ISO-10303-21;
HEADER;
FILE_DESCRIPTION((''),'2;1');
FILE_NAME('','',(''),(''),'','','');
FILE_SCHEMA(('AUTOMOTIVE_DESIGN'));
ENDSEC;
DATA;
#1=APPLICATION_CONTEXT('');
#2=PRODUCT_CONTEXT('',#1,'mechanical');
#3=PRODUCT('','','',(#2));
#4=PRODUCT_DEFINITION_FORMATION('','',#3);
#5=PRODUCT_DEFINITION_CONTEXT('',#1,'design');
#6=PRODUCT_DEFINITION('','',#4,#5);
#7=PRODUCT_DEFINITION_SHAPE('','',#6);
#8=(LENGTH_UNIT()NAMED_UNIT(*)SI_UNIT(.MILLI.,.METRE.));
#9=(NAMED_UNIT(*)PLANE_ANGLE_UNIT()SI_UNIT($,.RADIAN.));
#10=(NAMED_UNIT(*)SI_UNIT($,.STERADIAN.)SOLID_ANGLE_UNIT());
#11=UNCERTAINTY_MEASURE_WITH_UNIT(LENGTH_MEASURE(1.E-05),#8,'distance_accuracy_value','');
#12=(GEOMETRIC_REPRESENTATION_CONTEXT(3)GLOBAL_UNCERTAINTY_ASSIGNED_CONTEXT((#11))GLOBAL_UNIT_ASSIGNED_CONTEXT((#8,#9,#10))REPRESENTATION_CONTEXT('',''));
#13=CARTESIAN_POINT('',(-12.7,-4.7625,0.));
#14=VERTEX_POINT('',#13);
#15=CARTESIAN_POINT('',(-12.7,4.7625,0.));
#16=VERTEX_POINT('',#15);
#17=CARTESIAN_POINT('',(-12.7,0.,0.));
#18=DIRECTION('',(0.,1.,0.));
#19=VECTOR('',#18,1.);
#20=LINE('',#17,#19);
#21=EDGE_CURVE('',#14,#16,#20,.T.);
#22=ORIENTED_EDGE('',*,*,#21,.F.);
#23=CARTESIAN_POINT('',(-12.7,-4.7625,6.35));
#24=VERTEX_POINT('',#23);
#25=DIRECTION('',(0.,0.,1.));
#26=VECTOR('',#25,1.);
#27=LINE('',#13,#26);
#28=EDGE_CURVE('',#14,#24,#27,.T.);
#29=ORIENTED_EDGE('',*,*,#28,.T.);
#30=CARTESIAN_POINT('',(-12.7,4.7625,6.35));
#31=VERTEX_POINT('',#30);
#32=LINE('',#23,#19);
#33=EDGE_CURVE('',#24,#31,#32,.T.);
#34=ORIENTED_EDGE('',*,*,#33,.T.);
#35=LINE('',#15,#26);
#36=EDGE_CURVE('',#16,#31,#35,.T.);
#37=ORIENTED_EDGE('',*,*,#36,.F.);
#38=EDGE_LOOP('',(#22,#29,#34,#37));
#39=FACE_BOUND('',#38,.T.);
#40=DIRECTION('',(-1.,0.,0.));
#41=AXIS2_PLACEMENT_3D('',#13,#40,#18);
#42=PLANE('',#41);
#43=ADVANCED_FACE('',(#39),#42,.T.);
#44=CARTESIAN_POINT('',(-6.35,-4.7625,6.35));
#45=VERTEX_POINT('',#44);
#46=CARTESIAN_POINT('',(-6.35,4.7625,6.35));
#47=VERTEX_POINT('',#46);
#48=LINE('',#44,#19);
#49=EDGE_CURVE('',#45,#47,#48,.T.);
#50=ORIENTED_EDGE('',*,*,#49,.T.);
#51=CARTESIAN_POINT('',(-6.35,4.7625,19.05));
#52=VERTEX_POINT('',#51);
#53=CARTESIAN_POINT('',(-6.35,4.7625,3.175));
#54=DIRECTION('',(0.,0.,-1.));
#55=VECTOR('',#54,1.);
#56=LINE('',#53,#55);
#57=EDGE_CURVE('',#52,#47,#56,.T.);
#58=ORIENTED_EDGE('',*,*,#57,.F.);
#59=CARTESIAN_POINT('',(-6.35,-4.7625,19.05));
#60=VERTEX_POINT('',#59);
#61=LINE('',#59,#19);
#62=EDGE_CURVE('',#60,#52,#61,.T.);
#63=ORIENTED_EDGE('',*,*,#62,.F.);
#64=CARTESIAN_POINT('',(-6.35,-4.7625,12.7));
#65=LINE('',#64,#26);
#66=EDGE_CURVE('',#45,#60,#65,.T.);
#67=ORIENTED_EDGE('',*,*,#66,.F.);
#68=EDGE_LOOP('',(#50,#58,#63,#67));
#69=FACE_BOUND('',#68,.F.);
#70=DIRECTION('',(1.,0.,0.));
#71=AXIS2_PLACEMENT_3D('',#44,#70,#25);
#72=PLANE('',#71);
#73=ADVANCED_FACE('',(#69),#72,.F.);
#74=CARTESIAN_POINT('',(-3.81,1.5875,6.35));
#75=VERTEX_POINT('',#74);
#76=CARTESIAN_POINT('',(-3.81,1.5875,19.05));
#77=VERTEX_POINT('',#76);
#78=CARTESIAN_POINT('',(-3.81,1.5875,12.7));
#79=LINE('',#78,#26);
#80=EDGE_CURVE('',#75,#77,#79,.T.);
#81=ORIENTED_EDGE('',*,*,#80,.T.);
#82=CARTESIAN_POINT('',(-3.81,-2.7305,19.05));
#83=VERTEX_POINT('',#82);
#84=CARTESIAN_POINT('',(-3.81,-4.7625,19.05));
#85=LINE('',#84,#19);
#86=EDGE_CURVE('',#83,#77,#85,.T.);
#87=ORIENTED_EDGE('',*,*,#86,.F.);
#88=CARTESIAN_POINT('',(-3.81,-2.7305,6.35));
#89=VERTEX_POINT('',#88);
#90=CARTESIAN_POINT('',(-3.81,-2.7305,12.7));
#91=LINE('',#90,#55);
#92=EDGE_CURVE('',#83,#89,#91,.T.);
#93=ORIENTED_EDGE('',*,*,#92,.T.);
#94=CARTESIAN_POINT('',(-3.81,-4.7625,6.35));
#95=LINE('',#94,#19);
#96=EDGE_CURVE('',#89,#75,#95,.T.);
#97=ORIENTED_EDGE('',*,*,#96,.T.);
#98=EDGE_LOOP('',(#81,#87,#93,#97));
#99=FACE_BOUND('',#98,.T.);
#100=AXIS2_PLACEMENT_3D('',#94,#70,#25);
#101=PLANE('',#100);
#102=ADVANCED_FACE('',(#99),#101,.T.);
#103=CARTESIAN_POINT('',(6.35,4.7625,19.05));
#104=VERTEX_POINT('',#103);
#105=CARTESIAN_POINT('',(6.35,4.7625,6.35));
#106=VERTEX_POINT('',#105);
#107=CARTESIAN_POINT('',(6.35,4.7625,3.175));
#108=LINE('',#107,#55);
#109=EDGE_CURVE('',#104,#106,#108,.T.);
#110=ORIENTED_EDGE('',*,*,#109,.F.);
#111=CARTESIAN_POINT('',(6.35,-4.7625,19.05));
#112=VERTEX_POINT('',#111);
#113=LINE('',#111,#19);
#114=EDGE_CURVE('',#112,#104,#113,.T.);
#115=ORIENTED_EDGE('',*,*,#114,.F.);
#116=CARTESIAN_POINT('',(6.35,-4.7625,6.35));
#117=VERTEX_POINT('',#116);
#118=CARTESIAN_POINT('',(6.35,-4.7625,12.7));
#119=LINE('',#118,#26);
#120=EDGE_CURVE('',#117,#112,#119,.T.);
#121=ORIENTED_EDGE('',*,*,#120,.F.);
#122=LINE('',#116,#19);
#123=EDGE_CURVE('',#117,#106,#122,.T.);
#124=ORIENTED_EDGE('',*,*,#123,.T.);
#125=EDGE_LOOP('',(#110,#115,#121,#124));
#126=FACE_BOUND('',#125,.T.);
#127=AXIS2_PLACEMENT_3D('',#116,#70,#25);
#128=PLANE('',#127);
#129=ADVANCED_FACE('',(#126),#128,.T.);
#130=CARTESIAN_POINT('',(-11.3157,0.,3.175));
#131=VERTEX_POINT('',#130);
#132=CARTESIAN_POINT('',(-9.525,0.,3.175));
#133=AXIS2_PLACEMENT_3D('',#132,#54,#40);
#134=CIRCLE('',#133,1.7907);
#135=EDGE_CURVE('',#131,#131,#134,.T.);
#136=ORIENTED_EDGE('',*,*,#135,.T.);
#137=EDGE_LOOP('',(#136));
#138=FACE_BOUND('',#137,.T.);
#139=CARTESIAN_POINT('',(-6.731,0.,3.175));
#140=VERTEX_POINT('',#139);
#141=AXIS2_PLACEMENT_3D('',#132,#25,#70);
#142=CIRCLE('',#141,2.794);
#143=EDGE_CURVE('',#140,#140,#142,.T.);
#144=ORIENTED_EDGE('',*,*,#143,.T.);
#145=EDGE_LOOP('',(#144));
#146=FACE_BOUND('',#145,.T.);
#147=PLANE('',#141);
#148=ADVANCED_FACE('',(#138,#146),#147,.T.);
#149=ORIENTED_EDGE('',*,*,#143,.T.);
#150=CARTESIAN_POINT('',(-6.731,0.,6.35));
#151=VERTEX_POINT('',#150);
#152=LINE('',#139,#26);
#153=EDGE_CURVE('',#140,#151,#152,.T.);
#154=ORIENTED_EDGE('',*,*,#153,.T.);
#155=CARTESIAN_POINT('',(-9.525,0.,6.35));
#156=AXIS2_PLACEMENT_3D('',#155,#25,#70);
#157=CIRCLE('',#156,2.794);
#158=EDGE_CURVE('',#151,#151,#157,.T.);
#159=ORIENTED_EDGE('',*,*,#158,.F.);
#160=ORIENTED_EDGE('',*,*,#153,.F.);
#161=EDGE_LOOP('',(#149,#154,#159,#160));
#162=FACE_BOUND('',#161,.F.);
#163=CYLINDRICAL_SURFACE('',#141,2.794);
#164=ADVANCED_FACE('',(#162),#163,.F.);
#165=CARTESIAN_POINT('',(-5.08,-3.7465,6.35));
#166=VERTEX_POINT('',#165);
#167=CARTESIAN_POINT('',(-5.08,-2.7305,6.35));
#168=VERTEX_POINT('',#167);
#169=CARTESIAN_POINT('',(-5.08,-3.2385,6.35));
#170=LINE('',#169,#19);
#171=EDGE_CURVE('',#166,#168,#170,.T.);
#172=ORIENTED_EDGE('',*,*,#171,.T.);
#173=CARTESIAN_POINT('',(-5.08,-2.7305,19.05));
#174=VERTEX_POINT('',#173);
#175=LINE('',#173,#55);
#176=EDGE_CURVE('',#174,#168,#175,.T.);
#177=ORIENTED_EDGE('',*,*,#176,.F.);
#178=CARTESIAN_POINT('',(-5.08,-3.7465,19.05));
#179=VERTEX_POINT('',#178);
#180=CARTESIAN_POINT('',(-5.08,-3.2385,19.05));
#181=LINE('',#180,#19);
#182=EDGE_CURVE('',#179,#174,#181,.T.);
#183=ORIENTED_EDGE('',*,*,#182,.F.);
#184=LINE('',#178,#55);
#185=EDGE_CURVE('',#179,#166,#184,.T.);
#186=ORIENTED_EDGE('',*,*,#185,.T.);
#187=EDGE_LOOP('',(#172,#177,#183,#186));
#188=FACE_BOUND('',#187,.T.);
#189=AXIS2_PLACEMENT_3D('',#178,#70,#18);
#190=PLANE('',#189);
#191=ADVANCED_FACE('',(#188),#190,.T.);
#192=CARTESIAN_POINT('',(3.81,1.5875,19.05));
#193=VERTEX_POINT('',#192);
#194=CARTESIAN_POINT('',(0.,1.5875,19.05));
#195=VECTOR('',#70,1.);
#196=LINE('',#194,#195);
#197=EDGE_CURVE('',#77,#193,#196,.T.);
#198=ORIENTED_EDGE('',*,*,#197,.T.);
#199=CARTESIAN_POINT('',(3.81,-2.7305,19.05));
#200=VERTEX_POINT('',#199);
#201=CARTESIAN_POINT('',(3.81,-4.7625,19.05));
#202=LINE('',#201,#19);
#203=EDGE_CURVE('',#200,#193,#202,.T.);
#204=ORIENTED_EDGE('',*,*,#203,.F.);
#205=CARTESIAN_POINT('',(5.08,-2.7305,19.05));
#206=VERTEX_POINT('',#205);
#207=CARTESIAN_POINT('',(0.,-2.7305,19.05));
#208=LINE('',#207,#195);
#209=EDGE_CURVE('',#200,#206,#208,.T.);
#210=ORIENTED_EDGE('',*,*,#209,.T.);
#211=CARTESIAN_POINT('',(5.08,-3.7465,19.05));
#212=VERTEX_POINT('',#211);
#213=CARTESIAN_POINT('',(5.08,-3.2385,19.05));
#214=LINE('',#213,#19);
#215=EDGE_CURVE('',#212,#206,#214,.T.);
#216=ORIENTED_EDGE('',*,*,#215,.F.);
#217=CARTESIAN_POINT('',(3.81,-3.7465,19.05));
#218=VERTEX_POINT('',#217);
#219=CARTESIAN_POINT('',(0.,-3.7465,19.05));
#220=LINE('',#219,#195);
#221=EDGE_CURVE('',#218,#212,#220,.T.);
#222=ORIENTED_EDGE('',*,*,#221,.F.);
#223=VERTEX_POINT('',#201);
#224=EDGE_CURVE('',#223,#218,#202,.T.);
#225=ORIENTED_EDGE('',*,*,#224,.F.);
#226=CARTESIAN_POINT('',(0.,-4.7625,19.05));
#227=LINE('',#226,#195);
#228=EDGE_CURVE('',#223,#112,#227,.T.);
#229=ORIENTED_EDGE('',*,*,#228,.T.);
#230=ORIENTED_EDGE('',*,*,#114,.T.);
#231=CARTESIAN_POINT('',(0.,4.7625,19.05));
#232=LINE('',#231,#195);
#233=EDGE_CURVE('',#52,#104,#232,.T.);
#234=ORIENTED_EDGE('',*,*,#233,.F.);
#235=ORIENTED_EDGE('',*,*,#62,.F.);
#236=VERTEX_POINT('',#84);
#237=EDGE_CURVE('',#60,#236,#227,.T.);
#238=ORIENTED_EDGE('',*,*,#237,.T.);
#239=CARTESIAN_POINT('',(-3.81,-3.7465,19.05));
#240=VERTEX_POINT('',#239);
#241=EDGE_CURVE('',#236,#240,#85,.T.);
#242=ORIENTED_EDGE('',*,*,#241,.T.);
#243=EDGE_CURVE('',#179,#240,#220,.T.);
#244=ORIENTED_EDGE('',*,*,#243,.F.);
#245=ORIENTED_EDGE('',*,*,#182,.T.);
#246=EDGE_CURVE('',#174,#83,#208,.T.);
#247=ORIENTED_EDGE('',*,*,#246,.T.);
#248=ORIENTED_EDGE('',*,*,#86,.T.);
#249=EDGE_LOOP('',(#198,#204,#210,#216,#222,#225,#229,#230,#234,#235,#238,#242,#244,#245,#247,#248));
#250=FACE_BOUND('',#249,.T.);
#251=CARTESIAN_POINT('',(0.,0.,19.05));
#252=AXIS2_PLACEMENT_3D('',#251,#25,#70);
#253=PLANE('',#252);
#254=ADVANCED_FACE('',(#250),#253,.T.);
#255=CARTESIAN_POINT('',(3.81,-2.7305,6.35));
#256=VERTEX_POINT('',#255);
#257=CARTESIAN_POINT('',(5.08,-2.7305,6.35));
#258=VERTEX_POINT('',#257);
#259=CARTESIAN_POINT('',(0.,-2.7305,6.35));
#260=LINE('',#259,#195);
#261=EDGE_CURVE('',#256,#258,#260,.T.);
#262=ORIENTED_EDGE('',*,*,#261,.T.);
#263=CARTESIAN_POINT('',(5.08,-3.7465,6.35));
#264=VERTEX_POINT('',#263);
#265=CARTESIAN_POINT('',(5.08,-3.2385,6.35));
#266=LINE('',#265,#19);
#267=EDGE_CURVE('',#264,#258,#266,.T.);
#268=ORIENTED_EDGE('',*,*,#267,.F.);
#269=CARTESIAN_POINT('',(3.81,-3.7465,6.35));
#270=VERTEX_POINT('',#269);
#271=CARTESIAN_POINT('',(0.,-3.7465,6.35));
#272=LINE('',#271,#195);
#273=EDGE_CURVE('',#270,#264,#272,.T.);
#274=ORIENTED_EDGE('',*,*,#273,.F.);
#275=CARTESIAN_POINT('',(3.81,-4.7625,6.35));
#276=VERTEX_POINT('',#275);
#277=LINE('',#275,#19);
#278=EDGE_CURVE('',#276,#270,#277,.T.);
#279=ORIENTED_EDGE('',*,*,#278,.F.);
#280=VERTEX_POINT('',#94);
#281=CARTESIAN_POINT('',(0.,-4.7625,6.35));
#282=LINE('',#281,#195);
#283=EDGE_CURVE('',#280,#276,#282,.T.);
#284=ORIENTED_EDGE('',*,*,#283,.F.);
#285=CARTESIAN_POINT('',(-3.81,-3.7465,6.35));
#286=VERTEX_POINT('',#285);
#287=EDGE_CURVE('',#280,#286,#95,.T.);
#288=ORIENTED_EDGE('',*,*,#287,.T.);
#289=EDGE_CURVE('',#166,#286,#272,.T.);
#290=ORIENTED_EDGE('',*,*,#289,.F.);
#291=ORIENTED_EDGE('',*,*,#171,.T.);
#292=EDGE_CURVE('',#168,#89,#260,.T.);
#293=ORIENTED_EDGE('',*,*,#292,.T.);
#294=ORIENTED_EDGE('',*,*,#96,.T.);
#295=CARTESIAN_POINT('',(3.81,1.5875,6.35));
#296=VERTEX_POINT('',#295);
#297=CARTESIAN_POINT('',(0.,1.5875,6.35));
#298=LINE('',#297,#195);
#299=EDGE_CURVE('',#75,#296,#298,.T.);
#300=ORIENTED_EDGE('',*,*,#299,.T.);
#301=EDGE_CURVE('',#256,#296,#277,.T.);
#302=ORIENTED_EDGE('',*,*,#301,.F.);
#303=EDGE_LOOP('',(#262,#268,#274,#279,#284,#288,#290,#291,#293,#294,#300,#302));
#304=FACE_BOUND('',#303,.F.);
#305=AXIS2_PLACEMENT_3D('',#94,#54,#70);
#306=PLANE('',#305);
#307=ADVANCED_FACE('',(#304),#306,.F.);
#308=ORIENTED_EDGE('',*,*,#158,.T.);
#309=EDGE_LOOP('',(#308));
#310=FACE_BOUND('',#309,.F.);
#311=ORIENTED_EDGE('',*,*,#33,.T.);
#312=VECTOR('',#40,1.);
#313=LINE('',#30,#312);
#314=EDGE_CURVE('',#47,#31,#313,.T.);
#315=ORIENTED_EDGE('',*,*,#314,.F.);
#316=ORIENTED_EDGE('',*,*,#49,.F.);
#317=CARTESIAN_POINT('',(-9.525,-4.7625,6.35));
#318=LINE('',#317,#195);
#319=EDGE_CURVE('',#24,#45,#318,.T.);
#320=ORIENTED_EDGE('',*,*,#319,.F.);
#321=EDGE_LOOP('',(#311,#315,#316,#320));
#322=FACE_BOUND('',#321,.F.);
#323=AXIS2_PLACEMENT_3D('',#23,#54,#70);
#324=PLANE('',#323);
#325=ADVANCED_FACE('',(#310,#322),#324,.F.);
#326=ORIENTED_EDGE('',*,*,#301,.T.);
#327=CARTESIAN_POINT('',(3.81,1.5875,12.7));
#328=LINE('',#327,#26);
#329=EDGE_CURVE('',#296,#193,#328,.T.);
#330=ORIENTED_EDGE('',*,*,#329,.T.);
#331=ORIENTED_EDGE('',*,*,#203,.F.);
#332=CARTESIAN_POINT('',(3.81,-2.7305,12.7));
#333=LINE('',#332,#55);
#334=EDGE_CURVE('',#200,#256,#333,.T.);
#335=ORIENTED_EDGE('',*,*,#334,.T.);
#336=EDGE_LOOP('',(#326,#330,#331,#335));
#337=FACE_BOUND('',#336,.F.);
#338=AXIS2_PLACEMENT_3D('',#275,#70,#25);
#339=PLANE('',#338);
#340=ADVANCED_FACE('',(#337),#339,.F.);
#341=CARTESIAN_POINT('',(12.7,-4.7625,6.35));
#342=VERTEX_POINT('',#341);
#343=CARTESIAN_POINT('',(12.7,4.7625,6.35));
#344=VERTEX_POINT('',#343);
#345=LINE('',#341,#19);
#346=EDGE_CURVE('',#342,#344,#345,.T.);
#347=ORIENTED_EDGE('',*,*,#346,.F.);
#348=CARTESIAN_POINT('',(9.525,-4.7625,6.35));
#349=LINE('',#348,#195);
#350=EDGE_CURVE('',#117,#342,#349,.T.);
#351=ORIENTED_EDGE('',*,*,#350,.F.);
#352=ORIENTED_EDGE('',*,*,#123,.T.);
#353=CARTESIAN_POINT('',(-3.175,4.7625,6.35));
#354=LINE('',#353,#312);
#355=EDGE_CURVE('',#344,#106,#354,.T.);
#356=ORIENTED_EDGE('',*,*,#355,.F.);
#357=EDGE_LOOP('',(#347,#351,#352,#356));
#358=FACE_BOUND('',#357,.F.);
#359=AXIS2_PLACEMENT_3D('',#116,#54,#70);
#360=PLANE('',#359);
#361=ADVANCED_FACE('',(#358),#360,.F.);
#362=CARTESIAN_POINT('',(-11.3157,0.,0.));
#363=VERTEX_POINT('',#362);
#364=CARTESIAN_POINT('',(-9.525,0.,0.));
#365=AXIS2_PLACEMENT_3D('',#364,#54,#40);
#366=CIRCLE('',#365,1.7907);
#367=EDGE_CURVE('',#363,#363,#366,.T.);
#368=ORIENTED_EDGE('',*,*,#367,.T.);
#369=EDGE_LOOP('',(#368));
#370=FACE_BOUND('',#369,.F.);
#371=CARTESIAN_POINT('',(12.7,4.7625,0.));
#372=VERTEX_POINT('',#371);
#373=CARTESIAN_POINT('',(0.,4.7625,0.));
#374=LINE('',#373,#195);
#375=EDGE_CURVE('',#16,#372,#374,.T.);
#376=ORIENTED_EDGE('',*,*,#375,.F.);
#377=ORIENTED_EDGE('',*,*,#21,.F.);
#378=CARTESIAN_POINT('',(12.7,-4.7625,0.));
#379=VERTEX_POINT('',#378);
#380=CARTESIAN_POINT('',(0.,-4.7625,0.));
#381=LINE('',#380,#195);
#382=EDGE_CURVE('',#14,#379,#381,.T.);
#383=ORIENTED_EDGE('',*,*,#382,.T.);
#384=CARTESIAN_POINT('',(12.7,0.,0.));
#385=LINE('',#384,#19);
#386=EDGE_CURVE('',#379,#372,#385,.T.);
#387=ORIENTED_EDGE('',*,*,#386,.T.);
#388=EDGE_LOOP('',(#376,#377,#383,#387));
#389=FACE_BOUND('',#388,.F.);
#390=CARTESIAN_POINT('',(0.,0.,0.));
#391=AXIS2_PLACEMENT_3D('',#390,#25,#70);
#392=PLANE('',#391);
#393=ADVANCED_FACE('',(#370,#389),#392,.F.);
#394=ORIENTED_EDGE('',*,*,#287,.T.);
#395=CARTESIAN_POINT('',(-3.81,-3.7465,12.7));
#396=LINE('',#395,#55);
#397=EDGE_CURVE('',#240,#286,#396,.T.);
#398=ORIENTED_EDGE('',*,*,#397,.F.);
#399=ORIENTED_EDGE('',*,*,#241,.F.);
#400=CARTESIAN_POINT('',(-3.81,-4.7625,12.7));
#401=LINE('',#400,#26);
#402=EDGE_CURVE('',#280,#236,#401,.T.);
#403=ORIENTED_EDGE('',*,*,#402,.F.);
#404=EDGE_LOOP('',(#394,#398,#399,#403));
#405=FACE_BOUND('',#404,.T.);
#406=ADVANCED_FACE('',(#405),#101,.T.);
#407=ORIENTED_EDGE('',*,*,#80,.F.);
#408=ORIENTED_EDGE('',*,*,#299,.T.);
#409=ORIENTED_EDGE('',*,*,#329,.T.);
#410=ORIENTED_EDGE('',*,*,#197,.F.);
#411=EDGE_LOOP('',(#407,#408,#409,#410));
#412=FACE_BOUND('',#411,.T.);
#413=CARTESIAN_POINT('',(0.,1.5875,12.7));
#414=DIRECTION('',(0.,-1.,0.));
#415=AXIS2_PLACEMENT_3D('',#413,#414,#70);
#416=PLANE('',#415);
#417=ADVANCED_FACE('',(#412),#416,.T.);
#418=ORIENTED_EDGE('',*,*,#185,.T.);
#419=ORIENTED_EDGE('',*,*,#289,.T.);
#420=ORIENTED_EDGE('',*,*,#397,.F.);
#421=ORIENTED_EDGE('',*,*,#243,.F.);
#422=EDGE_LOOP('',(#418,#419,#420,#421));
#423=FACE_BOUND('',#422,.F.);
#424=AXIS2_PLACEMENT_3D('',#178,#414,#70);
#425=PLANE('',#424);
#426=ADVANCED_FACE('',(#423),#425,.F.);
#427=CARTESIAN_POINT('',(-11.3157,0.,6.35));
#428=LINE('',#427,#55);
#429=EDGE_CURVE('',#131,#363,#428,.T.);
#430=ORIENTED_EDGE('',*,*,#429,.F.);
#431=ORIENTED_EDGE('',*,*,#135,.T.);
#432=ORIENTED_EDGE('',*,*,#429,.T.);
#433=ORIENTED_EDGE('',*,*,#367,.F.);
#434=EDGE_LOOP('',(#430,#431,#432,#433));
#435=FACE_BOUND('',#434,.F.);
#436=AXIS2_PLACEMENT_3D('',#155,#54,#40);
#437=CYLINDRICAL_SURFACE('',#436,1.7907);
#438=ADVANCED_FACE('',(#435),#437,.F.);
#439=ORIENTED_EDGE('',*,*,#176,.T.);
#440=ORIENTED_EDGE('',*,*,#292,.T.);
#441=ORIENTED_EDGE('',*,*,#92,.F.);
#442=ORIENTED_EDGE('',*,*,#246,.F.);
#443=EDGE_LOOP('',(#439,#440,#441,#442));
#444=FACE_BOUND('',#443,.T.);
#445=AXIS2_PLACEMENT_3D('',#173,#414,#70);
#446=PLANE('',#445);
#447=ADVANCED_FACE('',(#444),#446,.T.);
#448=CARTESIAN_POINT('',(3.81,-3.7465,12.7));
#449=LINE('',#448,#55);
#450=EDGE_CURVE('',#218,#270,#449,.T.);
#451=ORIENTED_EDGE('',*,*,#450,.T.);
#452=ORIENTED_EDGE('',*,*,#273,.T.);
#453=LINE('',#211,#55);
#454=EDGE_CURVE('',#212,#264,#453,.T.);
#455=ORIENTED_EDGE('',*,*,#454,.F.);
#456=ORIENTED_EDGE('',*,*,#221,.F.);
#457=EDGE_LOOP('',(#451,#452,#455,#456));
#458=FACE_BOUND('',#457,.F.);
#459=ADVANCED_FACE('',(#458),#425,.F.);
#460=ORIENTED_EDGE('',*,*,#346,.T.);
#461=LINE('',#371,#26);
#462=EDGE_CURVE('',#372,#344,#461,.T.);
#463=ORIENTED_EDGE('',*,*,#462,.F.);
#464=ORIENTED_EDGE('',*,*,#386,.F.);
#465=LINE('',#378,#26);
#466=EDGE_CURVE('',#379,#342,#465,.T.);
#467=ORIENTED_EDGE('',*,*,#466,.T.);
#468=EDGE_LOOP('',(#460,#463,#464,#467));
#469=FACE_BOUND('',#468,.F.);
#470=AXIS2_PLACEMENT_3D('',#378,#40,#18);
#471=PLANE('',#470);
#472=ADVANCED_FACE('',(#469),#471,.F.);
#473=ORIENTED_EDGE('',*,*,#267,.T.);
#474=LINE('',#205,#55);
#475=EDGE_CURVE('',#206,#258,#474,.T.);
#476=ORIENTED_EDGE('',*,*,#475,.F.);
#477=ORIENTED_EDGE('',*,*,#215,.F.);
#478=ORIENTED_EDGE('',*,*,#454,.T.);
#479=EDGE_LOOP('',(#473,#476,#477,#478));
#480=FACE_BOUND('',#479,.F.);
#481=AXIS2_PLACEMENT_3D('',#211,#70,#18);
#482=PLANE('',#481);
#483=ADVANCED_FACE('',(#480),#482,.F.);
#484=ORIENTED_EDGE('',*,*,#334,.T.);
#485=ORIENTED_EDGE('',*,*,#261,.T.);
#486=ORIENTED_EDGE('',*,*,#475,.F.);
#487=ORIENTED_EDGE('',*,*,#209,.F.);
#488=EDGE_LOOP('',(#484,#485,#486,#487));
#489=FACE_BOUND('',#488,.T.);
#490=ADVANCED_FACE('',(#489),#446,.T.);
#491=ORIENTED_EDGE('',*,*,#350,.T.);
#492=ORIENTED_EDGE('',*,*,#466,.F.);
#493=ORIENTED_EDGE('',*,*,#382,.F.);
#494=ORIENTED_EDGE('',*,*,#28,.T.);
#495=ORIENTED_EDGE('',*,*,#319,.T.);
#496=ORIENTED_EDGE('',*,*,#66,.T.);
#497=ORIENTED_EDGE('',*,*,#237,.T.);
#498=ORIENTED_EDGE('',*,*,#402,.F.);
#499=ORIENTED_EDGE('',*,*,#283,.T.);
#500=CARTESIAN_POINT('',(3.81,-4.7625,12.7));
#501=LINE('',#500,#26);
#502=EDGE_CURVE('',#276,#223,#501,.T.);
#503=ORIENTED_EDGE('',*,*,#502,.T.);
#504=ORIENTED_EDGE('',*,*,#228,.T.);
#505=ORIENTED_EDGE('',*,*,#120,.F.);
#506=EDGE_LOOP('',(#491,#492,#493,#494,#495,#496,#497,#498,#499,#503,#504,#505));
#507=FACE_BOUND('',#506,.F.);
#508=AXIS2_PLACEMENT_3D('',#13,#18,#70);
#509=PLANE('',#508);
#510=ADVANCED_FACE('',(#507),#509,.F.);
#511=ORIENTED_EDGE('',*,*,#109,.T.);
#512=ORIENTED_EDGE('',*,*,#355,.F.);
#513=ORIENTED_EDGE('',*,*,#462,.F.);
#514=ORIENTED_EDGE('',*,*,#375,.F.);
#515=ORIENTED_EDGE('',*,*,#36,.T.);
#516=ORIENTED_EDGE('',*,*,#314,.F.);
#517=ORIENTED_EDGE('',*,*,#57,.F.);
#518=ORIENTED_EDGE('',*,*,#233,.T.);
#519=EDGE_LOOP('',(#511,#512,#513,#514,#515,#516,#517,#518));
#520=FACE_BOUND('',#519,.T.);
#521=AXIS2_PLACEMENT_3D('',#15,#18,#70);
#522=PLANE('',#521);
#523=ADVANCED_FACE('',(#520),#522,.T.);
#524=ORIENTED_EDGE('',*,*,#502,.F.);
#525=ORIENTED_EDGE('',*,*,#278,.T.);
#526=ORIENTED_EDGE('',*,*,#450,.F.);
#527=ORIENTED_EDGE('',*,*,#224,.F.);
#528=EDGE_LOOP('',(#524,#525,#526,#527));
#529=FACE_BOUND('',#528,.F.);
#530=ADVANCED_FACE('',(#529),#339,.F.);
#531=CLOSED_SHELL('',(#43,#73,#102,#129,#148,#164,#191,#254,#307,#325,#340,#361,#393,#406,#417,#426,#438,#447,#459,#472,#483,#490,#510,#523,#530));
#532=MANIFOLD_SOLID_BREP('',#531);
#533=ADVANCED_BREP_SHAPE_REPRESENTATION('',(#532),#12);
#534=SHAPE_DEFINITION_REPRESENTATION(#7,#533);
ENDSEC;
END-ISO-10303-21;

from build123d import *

# Parameters (mm, degrees)
F0_W           = 25.4
F0_H           = 9.525
F1_DEPTH       = 19.05
F2_W           = 6.35
F2_H           = 12.7
F3_DEPTH       = 25.4
F5_D           = 3.5814
F5_DEPTH       = 6.731
F5_CBORE_D     = 5.588
F5_CBORE_DEPTH = 3.175
F6_W           = 7.62
F6_H           = 12.7
F7_DEPTH       = 6.35
F8_W           = 10.16
F8_H           = 1.016
F9_DEPTH       = 12.7


with BuildPart() as f1:
    # F0 (on Top) → F1 (new body)
    with BuildSketch(Plane.XY):
        Rectangle(F0_W, F0_H)
    extrude(amount=F1_DEPTH)

    # F2 (on face) → F3 (cut)
    with BuildSketch(Plane.XZ.offset(4.7625)):
        with Locations((-9.525, 12.7)):
            Rectangle(F2_W, F2_H)
        with Locations((9.525, 12.7)):
            Rectangle(F2_W, F2_H)
    extrude(amount=-F3_DEPTH, mode=Mode.SUBTRACT)

    # F5
    with Locations(Plane.XY.offset(6.35)):
        with Locations((-9.525, 0)):
            CounterBoreHole(F5_D / 2, F5_CBORE_D / 2, F5_CBORE_DEPTH, depth=F5_DEPTH)

    # F6 (on face) → F7 (cut)
    with BuildSketch(Plane.XZ.offset(4.7625)):
        with Locations((0, 12.7)):
            Rectangle(F6_W, F6_H)
    extrude(amount=-F7_DEPTH, mode=Mode.SUBTRACT)

    # F8 (on face) → F9 (cut)
    with BuildSketch(Plane.XY.offset(19.05)):
        with Locations((0, -3.2385)):
            Rectangle(F8_W, F8_H)
    extrude(amount=-F9_DEPTH, mode=Mode.SUBTRACT)


solid = f1.part
